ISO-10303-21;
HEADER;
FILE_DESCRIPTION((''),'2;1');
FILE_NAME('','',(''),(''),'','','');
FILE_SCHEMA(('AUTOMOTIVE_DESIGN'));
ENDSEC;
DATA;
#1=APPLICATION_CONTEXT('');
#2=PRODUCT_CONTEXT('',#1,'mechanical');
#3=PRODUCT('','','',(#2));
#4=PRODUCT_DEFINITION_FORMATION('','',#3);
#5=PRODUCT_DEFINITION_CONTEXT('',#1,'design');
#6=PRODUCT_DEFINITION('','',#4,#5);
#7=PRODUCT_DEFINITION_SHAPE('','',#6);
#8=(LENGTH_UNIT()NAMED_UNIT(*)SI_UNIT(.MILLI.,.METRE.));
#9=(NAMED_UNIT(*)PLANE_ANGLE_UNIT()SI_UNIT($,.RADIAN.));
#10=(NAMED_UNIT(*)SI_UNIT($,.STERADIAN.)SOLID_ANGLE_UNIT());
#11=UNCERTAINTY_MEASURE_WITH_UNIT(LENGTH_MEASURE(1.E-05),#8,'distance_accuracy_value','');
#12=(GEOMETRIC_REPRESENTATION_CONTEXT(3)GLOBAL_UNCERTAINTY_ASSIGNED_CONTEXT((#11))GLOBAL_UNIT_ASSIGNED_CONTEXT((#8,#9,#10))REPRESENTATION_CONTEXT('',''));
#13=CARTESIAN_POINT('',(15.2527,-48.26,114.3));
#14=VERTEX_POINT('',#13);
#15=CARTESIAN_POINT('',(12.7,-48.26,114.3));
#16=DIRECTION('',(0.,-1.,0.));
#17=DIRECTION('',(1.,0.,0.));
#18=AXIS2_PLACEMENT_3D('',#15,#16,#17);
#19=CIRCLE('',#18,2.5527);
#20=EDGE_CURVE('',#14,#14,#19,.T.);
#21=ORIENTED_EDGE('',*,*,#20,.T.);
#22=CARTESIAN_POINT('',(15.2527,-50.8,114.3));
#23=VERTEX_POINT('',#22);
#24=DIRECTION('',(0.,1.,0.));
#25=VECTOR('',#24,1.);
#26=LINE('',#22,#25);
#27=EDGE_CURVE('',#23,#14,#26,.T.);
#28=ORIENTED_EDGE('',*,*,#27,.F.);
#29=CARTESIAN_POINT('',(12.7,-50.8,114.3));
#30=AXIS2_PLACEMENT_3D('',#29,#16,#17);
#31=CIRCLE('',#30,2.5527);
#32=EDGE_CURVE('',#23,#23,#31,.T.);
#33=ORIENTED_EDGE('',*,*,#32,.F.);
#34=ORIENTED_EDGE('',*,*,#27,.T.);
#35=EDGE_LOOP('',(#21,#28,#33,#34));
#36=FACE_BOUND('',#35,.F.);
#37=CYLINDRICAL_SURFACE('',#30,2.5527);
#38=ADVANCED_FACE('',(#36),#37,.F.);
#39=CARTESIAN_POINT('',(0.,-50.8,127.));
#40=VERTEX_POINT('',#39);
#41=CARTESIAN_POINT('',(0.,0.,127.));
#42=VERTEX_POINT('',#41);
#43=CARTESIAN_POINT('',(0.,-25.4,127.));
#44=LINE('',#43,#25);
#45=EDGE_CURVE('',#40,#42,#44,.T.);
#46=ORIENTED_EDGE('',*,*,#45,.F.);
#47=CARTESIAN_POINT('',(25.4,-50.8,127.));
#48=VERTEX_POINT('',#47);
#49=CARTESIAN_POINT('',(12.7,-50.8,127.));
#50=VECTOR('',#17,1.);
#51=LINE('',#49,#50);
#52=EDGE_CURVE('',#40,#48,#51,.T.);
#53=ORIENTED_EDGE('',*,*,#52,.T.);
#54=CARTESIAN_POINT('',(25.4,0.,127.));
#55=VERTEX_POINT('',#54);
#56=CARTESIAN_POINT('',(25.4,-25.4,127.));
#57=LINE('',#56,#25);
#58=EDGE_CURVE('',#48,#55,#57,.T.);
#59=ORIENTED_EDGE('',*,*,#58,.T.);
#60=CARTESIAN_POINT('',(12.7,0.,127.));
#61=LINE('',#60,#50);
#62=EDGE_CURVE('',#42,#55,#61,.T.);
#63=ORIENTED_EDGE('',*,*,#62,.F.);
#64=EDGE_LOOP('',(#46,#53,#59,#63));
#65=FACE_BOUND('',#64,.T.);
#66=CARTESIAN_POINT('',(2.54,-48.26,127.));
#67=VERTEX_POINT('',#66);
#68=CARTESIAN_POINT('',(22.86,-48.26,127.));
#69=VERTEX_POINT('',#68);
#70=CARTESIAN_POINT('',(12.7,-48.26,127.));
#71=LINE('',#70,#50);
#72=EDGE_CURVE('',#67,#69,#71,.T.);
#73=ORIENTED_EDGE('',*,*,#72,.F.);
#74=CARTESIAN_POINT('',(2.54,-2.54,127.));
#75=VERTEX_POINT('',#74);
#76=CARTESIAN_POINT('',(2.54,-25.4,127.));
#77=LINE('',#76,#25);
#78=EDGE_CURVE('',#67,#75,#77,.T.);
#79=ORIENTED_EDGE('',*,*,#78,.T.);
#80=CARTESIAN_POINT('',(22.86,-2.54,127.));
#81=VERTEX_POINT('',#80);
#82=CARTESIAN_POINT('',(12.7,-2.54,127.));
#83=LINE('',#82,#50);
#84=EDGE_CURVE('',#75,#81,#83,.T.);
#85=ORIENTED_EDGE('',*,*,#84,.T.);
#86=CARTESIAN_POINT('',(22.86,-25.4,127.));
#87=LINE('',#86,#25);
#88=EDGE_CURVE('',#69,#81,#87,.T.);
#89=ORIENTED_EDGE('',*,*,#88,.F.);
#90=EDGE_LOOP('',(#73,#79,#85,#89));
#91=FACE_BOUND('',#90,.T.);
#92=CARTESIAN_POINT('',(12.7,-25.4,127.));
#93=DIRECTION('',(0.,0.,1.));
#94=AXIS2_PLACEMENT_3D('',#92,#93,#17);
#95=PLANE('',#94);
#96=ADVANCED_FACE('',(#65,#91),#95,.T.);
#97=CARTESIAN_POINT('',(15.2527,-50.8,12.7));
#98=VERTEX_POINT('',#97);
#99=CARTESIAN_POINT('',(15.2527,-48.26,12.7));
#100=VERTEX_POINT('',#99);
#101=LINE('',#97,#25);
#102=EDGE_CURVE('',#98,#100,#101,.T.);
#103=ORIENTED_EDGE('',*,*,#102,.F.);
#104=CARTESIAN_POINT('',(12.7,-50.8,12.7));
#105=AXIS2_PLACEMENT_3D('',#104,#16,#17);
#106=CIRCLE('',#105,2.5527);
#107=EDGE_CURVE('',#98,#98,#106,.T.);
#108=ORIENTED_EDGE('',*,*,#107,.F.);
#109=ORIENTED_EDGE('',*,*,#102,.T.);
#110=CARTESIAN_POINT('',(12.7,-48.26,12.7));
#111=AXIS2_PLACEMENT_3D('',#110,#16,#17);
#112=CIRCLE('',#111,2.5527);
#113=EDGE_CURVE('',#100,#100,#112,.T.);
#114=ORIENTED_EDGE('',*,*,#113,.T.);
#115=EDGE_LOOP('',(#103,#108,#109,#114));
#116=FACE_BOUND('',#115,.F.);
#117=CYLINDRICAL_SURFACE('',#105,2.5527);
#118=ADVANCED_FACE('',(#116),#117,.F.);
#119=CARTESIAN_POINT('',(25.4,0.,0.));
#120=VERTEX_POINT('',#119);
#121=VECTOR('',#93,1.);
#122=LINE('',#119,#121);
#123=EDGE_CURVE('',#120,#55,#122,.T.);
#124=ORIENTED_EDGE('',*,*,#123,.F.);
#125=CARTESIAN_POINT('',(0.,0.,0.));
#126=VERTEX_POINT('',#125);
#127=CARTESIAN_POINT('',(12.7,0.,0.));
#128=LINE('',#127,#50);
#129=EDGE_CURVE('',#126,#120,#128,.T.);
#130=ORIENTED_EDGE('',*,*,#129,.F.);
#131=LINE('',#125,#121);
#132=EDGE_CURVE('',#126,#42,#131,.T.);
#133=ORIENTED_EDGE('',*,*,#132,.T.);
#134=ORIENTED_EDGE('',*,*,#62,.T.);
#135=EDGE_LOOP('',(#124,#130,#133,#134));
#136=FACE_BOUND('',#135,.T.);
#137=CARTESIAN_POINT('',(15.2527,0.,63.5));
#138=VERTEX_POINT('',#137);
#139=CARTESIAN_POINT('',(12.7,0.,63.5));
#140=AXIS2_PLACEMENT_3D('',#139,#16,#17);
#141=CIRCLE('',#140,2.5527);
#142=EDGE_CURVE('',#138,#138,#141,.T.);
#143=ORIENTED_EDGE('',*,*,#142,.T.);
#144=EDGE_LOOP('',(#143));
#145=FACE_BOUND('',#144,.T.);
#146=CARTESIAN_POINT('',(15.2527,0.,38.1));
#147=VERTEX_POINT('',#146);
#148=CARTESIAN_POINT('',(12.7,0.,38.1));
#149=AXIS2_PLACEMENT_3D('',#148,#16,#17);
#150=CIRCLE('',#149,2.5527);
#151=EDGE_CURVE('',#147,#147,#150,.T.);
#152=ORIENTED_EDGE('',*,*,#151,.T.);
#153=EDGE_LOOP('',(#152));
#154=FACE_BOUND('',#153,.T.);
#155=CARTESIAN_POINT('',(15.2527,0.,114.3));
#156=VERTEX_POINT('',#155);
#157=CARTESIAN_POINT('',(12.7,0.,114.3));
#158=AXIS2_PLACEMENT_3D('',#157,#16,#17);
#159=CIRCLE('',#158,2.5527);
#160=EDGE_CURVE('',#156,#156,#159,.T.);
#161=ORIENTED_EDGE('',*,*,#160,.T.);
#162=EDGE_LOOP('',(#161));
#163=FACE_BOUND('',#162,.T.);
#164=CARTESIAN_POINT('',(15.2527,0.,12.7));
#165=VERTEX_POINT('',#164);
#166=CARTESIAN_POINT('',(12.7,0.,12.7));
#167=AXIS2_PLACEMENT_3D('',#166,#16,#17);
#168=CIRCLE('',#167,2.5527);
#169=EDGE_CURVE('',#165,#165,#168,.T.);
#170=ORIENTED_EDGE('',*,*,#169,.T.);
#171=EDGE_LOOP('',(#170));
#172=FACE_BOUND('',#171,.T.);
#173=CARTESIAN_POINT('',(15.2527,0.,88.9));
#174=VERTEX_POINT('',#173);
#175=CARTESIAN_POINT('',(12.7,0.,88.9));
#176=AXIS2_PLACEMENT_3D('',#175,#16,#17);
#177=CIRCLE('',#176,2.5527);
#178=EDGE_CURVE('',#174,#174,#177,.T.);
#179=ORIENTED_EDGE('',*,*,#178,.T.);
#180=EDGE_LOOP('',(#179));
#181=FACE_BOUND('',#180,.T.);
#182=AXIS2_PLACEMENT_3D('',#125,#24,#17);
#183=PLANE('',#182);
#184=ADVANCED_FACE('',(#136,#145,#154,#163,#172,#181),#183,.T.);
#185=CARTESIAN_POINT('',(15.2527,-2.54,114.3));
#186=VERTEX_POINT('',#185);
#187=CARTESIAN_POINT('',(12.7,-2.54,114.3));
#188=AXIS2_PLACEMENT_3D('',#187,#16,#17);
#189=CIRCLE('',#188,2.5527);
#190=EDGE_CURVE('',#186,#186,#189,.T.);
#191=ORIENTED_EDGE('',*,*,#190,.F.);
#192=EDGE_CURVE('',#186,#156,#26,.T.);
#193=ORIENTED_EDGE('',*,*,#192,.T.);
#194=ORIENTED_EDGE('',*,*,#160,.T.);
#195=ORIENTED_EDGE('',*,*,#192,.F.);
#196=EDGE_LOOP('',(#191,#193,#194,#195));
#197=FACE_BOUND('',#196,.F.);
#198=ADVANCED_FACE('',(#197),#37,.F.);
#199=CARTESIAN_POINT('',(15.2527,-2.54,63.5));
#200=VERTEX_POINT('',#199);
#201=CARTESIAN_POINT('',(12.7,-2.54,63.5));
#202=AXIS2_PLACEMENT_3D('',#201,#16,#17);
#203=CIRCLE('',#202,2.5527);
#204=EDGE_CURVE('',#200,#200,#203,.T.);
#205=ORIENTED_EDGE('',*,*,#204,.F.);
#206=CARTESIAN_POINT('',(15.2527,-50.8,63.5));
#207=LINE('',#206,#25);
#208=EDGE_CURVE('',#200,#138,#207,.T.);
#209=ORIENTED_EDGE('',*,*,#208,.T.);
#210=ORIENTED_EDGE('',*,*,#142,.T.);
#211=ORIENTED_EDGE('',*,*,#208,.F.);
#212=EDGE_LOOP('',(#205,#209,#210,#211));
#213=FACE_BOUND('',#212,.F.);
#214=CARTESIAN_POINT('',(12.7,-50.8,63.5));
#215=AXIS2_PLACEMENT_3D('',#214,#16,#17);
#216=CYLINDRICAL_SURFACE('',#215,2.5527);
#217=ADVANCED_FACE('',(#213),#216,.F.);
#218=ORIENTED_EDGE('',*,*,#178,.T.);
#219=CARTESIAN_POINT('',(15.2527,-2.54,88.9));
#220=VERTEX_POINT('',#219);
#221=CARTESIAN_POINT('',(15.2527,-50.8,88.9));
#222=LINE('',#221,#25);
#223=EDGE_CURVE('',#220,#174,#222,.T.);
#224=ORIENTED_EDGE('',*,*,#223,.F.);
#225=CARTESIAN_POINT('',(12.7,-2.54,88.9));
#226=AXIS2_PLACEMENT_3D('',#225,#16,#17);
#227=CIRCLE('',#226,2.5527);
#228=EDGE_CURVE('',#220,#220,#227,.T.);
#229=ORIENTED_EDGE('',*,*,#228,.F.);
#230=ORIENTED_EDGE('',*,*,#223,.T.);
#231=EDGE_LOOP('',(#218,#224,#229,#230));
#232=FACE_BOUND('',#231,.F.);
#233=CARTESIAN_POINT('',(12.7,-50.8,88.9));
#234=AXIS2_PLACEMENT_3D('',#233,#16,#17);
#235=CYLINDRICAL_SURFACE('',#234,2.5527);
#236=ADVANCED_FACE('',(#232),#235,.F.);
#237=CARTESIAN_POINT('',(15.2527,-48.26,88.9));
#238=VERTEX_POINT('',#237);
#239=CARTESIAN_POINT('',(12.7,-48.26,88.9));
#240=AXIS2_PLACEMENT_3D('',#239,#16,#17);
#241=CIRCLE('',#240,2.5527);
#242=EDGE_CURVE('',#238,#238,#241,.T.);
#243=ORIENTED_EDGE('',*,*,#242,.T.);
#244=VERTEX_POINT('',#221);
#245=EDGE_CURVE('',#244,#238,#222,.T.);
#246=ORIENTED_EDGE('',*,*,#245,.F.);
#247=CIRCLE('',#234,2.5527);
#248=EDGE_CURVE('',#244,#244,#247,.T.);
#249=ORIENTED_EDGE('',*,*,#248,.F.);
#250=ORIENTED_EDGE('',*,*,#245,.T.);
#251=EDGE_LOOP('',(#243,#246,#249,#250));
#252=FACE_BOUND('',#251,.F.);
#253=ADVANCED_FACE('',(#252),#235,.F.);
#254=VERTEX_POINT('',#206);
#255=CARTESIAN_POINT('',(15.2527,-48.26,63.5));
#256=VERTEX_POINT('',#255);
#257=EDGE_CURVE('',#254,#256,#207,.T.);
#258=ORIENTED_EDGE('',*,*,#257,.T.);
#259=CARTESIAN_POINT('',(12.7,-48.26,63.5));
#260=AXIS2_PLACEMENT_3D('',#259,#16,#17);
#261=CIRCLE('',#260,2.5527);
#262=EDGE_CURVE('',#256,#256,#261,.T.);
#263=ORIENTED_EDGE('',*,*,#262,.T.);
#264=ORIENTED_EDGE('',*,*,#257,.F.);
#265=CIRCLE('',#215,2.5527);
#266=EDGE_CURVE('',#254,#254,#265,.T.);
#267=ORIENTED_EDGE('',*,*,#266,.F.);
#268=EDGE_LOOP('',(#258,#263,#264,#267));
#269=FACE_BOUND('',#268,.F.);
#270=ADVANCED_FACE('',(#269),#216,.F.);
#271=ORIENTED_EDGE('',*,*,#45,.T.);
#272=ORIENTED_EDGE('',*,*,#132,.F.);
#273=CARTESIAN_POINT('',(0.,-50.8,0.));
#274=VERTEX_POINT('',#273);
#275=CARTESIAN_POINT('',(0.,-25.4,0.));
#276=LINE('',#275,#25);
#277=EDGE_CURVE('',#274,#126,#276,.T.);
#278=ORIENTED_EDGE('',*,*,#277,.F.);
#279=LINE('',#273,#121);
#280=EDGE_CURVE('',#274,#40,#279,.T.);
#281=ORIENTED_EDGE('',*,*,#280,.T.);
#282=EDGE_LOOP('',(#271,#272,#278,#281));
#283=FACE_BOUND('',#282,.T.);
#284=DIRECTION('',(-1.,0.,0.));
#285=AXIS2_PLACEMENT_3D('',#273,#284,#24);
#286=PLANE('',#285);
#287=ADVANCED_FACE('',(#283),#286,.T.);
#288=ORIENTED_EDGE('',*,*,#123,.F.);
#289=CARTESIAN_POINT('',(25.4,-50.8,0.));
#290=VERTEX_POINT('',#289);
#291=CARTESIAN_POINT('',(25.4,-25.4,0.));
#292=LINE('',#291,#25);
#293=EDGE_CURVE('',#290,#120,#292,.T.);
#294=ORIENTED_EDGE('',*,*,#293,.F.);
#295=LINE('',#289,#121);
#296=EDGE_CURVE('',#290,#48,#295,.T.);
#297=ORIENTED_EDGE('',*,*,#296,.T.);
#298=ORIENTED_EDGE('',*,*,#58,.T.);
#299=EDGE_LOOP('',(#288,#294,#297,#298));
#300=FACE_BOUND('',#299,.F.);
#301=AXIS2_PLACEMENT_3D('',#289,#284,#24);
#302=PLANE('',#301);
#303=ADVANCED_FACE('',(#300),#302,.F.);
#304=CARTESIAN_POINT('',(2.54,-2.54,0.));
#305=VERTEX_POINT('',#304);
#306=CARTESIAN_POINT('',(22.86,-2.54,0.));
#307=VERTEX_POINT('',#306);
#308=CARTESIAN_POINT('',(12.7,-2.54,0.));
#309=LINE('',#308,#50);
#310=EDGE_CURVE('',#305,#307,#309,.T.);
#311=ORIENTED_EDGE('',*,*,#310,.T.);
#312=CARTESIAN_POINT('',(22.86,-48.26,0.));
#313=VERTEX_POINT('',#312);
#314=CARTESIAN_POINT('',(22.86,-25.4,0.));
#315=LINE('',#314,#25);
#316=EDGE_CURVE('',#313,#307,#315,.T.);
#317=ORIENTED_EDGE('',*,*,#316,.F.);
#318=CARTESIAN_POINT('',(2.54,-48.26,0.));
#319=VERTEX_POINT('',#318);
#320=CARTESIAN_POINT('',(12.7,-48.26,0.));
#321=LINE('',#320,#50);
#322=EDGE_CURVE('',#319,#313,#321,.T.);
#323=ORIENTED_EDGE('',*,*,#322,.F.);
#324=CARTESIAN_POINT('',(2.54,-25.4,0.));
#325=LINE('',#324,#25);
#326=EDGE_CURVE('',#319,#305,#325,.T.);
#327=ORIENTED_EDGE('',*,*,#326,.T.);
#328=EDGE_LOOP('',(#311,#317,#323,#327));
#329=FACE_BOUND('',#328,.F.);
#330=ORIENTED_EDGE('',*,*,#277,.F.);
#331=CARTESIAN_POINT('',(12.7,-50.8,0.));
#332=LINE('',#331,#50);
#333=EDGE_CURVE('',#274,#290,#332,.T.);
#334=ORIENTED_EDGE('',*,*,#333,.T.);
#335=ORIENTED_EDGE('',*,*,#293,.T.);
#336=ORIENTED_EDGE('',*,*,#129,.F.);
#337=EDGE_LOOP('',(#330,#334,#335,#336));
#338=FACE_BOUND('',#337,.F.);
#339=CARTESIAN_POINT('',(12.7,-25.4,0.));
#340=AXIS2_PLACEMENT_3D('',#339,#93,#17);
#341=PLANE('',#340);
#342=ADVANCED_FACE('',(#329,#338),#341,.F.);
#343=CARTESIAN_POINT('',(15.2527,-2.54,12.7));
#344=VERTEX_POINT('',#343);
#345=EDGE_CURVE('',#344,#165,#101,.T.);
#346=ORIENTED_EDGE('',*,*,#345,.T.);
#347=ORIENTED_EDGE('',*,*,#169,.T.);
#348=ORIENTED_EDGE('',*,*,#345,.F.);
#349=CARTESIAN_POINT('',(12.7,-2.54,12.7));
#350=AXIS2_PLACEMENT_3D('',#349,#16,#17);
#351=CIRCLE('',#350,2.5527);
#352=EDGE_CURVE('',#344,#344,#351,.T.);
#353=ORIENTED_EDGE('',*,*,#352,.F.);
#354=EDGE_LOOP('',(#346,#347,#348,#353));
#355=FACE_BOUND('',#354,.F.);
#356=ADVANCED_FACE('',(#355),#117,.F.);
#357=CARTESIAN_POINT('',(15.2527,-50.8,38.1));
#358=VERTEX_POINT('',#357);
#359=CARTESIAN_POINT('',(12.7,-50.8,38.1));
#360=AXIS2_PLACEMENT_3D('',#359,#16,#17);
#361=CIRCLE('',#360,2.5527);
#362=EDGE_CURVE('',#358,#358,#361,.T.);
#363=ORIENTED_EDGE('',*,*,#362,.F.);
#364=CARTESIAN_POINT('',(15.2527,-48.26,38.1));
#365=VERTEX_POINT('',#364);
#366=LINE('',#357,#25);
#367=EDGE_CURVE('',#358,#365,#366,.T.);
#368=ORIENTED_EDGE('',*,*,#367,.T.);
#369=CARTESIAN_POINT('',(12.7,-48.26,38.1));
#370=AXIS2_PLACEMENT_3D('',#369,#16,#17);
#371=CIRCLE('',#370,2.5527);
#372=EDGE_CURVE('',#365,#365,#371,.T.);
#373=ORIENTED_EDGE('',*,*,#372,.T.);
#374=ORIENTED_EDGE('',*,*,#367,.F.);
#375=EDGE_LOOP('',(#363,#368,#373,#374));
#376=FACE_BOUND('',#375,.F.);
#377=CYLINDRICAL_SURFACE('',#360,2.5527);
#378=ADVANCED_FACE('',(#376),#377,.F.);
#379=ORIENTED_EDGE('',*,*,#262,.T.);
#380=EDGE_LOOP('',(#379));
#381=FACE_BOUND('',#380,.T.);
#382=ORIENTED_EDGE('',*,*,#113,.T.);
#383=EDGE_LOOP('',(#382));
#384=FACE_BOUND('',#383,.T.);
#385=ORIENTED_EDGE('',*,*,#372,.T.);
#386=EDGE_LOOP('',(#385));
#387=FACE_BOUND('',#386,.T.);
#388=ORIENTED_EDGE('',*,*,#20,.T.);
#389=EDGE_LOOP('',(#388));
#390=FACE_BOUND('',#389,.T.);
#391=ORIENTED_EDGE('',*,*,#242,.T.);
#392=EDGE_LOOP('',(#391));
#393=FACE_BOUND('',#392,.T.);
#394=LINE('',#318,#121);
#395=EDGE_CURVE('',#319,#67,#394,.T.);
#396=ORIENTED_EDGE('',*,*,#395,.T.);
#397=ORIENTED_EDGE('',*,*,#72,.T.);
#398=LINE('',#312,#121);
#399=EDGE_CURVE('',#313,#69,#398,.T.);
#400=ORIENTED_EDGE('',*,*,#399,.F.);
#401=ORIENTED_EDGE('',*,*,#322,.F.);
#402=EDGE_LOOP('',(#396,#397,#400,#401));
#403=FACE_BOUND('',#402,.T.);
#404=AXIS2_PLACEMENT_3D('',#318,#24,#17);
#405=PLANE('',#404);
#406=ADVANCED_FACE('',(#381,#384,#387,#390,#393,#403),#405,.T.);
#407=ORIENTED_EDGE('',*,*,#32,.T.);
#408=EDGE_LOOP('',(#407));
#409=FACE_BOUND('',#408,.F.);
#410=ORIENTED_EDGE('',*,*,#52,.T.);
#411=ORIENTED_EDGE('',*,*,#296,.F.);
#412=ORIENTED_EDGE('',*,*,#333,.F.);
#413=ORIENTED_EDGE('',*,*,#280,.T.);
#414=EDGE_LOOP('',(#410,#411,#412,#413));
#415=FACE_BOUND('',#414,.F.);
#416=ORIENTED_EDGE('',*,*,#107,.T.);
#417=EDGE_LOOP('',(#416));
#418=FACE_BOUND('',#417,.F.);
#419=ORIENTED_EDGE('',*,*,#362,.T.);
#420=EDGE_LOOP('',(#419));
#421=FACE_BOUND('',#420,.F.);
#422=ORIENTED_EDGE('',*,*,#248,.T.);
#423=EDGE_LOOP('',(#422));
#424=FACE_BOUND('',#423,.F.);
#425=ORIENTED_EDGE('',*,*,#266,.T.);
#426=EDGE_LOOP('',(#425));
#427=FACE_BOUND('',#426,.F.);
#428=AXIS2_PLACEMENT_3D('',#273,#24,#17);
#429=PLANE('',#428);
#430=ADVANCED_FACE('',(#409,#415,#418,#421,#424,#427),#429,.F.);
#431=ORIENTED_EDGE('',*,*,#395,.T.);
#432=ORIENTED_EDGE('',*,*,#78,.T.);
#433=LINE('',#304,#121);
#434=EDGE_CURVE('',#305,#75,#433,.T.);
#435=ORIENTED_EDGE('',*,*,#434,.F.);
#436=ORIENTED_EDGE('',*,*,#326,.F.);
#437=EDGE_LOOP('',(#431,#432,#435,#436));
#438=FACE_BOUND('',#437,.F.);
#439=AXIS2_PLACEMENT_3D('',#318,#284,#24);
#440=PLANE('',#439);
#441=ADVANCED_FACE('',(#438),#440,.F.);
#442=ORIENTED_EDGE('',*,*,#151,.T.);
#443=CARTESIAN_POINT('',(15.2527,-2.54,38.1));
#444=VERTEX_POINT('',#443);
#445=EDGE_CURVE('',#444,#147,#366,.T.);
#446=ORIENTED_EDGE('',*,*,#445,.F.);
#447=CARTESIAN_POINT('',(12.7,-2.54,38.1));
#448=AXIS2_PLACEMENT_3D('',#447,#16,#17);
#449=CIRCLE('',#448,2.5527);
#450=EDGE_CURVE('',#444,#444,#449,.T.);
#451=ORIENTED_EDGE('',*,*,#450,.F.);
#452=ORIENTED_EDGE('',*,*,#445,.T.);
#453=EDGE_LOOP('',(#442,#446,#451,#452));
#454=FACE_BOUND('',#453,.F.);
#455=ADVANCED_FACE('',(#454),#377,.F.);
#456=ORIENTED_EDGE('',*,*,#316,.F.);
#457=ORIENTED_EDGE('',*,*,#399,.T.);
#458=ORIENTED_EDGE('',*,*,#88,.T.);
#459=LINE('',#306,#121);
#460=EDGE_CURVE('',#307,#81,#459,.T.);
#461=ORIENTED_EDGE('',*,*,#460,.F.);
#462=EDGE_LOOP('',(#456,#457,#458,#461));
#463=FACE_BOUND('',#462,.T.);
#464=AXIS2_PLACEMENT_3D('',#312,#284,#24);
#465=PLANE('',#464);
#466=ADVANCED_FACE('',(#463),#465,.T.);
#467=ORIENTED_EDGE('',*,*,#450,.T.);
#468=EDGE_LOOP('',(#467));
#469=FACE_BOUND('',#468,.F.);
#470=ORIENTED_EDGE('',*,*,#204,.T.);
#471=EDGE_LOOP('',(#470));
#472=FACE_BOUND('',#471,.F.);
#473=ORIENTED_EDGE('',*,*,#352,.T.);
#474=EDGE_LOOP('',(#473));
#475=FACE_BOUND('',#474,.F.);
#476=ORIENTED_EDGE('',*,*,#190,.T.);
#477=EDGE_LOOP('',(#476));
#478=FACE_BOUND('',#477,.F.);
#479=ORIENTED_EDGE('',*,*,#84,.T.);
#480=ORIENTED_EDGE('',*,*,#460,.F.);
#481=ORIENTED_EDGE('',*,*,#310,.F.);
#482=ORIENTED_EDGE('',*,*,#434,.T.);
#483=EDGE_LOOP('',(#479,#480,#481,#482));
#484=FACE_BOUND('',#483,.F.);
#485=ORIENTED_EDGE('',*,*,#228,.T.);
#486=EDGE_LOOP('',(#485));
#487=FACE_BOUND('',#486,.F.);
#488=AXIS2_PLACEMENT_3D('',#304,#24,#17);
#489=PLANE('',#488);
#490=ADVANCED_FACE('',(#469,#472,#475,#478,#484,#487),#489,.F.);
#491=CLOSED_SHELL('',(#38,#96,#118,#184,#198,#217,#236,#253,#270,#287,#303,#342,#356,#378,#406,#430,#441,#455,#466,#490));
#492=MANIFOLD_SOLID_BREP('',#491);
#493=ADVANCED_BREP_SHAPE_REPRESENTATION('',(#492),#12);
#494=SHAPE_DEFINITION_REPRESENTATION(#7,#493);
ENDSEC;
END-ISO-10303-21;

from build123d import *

# Parameters (mm, degrees)
F0_W     = 25.4
F0_H     = 50.8
F0_W_2   = 20.32
F0_H_2   = 45.72
F1_DEPTH = 127
F2_R     = 2.5527
F3_DEPTH = 76.2


with BuildPart() as f1:
    # F0 (on Top) → F1 (new body)
    with BuildSketch(Plane.XY):
        with Locations((12.7, -25.4)):
            Rectangle(F0_W, F0_H)
        with Locations((12.7, -25.4)):
            Rectangle(F0_W_2, F0_H_2, mode=Mode.SUBTRACT)
    extrude(amount=F1_DEPTH)

    # F2 (on face) → F3 (cut)
    with BuildSketch(Plane.XZ.offset(50.8)):
        with Locations((12.7, 88.9)):
            Circle(F2_R)
        with Locations((12.7, 63.5)):
            Circle(F2_R)
        with Locations((12.7, 38.1)):
            Circle(F2_R)
        with Locations((12.7, 12.7)):
            Circle(F2_R)
        with Locations((12.7, 114.3)):
            Circle(F2_R)
        with Locations((12.7, 139.7)):
            Circle(F2_R)
    extrude(amount=-F3_DEPTH, mode=Mode.SUBTRACT)


solid = f1.part
